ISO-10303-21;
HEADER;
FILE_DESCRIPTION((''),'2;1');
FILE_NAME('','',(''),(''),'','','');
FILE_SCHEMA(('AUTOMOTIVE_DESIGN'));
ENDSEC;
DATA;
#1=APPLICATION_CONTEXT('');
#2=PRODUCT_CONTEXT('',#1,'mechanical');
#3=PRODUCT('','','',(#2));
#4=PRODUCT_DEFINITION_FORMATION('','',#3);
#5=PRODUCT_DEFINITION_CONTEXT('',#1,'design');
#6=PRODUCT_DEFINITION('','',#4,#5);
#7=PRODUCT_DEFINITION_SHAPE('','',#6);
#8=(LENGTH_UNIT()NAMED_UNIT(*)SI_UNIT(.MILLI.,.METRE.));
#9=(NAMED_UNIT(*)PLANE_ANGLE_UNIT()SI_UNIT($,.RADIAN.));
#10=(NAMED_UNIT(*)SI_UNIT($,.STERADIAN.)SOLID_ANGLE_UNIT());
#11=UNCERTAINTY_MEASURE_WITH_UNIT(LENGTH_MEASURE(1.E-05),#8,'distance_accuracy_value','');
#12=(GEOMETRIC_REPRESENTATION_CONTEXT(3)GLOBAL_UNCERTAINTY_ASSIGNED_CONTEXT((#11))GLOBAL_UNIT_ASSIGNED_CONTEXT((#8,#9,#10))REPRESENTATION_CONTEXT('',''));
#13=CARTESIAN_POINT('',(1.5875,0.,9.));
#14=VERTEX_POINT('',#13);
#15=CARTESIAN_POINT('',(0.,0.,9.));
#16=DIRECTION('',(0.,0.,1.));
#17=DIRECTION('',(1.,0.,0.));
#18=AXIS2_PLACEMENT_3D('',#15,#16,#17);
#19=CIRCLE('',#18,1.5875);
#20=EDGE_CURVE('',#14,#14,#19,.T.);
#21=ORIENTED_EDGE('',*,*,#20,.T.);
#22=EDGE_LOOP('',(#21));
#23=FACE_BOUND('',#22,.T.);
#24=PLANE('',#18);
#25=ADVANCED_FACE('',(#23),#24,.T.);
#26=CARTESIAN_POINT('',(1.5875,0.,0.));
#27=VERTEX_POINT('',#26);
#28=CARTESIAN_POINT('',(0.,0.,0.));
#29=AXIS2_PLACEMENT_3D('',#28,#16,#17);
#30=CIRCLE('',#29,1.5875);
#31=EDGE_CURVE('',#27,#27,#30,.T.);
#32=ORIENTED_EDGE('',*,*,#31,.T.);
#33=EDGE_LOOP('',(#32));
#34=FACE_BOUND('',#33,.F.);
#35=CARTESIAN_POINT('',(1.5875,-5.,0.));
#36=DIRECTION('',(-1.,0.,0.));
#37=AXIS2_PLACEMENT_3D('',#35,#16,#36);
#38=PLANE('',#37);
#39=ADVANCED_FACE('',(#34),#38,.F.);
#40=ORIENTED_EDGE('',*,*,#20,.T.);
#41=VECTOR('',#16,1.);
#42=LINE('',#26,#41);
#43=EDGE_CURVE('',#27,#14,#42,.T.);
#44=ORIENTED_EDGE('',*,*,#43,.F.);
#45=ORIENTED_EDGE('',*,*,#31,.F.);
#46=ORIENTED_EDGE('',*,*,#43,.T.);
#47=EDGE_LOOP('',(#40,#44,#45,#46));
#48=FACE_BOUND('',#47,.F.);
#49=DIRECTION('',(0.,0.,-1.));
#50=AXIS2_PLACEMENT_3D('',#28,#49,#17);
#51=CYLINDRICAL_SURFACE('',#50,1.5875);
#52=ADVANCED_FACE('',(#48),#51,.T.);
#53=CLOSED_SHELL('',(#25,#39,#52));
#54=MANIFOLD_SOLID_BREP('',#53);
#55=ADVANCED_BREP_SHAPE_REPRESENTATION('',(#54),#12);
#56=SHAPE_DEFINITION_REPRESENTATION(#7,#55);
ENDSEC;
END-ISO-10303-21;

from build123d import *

# Parameters (mm, degrees)
F2_DEPTH = 5
F3_R     = 1.5875
F4_DEPTH = 9
F5_DEPTH = 25


with BuildPart() as f2:
    # F1 (on Front) → F2 (new body, symmetric)
    with BuildSketch(Plane.XZ):
        Polygon((1.5875, -8), (1.5875, 0), (-1.5875, 0), (-1.5875, -8), (-8.25, -8), (-8.25, -19.5), (8.25, -19.5), (8.25, -8), align=None)
    extrude(amount=F2_DEPTH, both=True)

    # F3 (on Top) → F4 (join)
    with BuildSketch(Plane.XY):
        Circle(F3_R)
    extrude(amount=F4_DEPTH)

    # F5 (cut): a face of the model
    f5_faces = [f2.faces().sort_by_distance(p)[0] for p in [
        (0, -5, -12.5989425982),
    ]]
    extrude(f5_faces, amount=-F5_DEPTH, mode=Mode.SUBTRACT)


solid = f2.part
